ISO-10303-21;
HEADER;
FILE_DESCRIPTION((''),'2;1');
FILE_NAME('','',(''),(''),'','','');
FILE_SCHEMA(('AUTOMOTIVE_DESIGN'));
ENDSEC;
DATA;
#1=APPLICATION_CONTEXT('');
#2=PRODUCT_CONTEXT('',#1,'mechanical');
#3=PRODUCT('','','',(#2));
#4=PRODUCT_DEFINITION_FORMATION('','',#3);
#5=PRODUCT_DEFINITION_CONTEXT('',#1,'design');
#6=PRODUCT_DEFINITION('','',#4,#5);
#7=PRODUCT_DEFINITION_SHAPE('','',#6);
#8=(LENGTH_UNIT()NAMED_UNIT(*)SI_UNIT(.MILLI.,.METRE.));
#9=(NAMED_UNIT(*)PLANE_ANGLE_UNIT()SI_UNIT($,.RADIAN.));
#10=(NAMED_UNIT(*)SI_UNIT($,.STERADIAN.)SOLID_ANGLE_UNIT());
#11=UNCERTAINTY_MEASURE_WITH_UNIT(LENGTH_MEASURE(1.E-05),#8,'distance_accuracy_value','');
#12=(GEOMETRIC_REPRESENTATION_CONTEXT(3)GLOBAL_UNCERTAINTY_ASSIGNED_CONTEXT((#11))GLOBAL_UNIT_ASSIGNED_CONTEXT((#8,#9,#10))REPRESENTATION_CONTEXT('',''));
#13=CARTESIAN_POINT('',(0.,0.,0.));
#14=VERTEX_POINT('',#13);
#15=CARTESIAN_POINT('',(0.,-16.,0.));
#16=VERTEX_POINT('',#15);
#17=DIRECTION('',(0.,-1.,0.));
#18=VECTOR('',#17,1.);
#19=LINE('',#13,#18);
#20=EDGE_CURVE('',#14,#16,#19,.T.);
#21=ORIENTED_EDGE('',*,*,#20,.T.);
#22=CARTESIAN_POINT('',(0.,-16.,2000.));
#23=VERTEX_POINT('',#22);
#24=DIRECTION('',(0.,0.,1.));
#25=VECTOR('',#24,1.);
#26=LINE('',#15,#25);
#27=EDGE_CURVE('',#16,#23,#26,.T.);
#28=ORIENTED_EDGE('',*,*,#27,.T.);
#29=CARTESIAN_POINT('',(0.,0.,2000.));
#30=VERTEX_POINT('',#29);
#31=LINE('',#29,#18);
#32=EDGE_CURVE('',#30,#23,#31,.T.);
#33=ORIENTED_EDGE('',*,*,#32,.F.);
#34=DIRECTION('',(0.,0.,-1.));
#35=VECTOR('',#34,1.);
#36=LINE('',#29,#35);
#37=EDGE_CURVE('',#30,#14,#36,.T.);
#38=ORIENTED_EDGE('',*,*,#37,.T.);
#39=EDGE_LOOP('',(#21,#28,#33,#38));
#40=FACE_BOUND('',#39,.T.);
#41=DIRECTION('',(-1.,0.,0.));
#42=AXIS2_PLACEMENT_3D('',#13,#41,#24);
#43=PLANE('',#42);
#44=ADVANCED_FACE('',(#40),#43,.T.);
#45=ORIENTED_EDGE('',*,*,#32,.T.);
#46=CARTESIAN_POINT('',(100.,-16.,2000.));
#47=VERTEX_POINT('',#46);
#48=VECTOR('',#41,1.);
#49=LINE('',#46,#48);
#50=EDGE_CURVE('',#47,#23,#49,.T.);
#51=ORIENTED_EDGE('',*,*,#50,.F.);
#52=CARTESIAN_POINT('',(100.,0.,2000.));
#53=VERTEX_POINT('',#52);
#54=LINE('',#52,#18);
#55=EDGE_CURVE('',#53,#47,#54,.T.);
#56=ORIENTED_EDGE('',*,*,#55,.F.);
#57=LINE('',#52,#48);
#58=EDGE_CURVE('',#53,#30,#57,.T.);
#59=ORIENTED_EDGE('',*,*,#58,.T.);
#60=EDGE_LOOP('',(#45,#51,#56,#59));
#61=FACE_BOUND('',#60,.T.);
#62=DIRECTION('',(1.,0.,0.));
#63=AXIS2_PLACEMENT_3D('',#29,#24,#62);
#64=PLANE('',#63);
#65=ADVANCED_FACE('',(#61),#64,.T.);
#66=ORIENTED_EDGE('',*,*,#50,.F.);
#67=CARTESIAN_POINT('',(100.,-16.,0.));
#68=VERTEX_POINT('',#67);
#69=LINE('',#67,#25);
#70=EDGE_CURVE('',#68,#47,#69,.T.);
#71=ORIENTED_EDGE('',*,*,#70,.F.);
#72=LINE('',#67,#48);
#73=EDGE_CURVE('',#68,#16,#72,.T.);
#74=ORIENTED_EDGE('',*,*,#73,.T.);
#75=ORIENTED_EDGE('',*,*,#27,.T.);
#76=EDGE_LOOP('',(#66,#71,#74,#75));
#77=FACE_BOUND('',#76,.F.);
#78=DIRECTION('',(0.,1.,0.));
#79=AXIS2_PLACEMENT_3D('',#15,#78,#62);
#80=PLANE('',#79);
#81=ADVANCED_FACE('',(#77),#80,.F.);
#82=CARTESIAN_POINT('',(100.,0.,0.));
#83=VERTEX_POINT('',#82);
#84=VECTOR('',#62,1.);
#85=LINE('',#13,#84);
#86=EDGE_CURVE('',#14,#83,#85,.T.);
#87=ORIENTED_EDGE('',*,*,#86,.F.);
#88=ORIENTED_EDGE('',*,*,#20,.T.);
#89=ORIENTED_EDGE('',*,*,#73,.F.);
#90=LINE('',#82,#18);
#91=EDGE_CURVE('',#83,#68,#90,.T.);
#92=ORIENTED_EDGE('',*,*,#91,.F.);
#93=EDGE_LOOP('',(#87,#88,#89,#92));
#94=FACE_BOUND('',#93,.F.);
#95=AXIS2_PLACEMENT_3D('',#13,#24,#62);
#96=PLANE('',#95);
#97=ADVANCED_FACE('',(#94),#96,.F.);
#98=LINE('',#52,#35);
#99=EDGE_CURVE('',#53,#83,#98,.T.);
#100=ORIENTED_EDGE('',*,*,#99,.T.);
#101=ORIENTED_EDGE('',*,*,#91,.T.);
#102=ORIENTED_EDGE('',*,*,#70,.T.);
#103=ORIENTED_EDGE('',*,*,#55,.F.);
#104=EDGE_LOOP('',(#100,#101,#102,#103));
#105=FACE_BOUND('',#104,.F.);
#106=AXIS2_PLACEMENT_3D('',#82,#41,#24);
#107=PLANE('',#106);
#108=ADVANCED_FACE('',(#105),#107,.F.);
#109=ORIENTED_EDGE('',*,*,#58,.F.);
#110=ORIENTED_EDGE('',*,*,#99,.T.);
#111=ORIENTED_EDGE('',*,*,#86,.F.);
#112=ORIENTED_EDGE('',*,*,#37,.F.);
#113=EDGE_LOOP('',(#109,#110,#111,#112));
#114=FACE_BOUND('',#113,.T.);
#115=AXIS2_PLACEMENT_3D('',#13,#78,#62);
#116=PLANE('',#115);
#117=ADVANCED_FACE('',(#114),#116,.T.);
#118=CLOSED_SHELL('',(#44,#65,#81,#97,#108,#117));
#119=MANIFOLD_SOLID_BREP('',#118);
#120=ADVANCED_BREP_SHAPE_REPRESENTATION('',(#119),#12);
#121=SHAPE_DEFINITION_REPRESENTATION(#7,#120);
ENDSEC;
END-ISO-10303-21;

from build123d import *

# Parameters (mm, degrees)
F0_W     = 61.3434761763
F0_H     = 59.5392733812
F1_DEPTH = 16
F2_DEPTH = 16
F3_DEPTH = 2000
F4_DEPTH = 100


with BuildPart() as f1:
    # F0 (on Top) → F1 (new body)
    with BuildSketch(Plane.XY):
        with Locations((30.6717380881, -29.7696366906)):
            Rectangle(F0_W, F0_H)
    extrude(amount=F1_DEPTH)

    # F2 (intersect): a face of the model
    f2_faces = [f1.faces().sort_by_distance(p)[0] for p in [
        (30.6717380881, 0, 8),
    ]]
    extrude(f2_faces, amount=-F2_DEPTH, mode=Mode.INTERSECT)

    # F3 (add): a face of the model
    f3_faces = [f1.faces().sort_by_distance(p)[0] for p in [
        (30.6717380881, -8, 0),
    ]]
    extrude(f3_faces, amount=-F3_DEPTH)

    # F4 (add): a face of the model
    f4_faces = [f1.faces().sort_by_distance(p)[0] for p in [
        (0, -8, 1000),
    ]]
    extrude(f4_faces, amount=-F4_DEPTH)


solid = f1.part
